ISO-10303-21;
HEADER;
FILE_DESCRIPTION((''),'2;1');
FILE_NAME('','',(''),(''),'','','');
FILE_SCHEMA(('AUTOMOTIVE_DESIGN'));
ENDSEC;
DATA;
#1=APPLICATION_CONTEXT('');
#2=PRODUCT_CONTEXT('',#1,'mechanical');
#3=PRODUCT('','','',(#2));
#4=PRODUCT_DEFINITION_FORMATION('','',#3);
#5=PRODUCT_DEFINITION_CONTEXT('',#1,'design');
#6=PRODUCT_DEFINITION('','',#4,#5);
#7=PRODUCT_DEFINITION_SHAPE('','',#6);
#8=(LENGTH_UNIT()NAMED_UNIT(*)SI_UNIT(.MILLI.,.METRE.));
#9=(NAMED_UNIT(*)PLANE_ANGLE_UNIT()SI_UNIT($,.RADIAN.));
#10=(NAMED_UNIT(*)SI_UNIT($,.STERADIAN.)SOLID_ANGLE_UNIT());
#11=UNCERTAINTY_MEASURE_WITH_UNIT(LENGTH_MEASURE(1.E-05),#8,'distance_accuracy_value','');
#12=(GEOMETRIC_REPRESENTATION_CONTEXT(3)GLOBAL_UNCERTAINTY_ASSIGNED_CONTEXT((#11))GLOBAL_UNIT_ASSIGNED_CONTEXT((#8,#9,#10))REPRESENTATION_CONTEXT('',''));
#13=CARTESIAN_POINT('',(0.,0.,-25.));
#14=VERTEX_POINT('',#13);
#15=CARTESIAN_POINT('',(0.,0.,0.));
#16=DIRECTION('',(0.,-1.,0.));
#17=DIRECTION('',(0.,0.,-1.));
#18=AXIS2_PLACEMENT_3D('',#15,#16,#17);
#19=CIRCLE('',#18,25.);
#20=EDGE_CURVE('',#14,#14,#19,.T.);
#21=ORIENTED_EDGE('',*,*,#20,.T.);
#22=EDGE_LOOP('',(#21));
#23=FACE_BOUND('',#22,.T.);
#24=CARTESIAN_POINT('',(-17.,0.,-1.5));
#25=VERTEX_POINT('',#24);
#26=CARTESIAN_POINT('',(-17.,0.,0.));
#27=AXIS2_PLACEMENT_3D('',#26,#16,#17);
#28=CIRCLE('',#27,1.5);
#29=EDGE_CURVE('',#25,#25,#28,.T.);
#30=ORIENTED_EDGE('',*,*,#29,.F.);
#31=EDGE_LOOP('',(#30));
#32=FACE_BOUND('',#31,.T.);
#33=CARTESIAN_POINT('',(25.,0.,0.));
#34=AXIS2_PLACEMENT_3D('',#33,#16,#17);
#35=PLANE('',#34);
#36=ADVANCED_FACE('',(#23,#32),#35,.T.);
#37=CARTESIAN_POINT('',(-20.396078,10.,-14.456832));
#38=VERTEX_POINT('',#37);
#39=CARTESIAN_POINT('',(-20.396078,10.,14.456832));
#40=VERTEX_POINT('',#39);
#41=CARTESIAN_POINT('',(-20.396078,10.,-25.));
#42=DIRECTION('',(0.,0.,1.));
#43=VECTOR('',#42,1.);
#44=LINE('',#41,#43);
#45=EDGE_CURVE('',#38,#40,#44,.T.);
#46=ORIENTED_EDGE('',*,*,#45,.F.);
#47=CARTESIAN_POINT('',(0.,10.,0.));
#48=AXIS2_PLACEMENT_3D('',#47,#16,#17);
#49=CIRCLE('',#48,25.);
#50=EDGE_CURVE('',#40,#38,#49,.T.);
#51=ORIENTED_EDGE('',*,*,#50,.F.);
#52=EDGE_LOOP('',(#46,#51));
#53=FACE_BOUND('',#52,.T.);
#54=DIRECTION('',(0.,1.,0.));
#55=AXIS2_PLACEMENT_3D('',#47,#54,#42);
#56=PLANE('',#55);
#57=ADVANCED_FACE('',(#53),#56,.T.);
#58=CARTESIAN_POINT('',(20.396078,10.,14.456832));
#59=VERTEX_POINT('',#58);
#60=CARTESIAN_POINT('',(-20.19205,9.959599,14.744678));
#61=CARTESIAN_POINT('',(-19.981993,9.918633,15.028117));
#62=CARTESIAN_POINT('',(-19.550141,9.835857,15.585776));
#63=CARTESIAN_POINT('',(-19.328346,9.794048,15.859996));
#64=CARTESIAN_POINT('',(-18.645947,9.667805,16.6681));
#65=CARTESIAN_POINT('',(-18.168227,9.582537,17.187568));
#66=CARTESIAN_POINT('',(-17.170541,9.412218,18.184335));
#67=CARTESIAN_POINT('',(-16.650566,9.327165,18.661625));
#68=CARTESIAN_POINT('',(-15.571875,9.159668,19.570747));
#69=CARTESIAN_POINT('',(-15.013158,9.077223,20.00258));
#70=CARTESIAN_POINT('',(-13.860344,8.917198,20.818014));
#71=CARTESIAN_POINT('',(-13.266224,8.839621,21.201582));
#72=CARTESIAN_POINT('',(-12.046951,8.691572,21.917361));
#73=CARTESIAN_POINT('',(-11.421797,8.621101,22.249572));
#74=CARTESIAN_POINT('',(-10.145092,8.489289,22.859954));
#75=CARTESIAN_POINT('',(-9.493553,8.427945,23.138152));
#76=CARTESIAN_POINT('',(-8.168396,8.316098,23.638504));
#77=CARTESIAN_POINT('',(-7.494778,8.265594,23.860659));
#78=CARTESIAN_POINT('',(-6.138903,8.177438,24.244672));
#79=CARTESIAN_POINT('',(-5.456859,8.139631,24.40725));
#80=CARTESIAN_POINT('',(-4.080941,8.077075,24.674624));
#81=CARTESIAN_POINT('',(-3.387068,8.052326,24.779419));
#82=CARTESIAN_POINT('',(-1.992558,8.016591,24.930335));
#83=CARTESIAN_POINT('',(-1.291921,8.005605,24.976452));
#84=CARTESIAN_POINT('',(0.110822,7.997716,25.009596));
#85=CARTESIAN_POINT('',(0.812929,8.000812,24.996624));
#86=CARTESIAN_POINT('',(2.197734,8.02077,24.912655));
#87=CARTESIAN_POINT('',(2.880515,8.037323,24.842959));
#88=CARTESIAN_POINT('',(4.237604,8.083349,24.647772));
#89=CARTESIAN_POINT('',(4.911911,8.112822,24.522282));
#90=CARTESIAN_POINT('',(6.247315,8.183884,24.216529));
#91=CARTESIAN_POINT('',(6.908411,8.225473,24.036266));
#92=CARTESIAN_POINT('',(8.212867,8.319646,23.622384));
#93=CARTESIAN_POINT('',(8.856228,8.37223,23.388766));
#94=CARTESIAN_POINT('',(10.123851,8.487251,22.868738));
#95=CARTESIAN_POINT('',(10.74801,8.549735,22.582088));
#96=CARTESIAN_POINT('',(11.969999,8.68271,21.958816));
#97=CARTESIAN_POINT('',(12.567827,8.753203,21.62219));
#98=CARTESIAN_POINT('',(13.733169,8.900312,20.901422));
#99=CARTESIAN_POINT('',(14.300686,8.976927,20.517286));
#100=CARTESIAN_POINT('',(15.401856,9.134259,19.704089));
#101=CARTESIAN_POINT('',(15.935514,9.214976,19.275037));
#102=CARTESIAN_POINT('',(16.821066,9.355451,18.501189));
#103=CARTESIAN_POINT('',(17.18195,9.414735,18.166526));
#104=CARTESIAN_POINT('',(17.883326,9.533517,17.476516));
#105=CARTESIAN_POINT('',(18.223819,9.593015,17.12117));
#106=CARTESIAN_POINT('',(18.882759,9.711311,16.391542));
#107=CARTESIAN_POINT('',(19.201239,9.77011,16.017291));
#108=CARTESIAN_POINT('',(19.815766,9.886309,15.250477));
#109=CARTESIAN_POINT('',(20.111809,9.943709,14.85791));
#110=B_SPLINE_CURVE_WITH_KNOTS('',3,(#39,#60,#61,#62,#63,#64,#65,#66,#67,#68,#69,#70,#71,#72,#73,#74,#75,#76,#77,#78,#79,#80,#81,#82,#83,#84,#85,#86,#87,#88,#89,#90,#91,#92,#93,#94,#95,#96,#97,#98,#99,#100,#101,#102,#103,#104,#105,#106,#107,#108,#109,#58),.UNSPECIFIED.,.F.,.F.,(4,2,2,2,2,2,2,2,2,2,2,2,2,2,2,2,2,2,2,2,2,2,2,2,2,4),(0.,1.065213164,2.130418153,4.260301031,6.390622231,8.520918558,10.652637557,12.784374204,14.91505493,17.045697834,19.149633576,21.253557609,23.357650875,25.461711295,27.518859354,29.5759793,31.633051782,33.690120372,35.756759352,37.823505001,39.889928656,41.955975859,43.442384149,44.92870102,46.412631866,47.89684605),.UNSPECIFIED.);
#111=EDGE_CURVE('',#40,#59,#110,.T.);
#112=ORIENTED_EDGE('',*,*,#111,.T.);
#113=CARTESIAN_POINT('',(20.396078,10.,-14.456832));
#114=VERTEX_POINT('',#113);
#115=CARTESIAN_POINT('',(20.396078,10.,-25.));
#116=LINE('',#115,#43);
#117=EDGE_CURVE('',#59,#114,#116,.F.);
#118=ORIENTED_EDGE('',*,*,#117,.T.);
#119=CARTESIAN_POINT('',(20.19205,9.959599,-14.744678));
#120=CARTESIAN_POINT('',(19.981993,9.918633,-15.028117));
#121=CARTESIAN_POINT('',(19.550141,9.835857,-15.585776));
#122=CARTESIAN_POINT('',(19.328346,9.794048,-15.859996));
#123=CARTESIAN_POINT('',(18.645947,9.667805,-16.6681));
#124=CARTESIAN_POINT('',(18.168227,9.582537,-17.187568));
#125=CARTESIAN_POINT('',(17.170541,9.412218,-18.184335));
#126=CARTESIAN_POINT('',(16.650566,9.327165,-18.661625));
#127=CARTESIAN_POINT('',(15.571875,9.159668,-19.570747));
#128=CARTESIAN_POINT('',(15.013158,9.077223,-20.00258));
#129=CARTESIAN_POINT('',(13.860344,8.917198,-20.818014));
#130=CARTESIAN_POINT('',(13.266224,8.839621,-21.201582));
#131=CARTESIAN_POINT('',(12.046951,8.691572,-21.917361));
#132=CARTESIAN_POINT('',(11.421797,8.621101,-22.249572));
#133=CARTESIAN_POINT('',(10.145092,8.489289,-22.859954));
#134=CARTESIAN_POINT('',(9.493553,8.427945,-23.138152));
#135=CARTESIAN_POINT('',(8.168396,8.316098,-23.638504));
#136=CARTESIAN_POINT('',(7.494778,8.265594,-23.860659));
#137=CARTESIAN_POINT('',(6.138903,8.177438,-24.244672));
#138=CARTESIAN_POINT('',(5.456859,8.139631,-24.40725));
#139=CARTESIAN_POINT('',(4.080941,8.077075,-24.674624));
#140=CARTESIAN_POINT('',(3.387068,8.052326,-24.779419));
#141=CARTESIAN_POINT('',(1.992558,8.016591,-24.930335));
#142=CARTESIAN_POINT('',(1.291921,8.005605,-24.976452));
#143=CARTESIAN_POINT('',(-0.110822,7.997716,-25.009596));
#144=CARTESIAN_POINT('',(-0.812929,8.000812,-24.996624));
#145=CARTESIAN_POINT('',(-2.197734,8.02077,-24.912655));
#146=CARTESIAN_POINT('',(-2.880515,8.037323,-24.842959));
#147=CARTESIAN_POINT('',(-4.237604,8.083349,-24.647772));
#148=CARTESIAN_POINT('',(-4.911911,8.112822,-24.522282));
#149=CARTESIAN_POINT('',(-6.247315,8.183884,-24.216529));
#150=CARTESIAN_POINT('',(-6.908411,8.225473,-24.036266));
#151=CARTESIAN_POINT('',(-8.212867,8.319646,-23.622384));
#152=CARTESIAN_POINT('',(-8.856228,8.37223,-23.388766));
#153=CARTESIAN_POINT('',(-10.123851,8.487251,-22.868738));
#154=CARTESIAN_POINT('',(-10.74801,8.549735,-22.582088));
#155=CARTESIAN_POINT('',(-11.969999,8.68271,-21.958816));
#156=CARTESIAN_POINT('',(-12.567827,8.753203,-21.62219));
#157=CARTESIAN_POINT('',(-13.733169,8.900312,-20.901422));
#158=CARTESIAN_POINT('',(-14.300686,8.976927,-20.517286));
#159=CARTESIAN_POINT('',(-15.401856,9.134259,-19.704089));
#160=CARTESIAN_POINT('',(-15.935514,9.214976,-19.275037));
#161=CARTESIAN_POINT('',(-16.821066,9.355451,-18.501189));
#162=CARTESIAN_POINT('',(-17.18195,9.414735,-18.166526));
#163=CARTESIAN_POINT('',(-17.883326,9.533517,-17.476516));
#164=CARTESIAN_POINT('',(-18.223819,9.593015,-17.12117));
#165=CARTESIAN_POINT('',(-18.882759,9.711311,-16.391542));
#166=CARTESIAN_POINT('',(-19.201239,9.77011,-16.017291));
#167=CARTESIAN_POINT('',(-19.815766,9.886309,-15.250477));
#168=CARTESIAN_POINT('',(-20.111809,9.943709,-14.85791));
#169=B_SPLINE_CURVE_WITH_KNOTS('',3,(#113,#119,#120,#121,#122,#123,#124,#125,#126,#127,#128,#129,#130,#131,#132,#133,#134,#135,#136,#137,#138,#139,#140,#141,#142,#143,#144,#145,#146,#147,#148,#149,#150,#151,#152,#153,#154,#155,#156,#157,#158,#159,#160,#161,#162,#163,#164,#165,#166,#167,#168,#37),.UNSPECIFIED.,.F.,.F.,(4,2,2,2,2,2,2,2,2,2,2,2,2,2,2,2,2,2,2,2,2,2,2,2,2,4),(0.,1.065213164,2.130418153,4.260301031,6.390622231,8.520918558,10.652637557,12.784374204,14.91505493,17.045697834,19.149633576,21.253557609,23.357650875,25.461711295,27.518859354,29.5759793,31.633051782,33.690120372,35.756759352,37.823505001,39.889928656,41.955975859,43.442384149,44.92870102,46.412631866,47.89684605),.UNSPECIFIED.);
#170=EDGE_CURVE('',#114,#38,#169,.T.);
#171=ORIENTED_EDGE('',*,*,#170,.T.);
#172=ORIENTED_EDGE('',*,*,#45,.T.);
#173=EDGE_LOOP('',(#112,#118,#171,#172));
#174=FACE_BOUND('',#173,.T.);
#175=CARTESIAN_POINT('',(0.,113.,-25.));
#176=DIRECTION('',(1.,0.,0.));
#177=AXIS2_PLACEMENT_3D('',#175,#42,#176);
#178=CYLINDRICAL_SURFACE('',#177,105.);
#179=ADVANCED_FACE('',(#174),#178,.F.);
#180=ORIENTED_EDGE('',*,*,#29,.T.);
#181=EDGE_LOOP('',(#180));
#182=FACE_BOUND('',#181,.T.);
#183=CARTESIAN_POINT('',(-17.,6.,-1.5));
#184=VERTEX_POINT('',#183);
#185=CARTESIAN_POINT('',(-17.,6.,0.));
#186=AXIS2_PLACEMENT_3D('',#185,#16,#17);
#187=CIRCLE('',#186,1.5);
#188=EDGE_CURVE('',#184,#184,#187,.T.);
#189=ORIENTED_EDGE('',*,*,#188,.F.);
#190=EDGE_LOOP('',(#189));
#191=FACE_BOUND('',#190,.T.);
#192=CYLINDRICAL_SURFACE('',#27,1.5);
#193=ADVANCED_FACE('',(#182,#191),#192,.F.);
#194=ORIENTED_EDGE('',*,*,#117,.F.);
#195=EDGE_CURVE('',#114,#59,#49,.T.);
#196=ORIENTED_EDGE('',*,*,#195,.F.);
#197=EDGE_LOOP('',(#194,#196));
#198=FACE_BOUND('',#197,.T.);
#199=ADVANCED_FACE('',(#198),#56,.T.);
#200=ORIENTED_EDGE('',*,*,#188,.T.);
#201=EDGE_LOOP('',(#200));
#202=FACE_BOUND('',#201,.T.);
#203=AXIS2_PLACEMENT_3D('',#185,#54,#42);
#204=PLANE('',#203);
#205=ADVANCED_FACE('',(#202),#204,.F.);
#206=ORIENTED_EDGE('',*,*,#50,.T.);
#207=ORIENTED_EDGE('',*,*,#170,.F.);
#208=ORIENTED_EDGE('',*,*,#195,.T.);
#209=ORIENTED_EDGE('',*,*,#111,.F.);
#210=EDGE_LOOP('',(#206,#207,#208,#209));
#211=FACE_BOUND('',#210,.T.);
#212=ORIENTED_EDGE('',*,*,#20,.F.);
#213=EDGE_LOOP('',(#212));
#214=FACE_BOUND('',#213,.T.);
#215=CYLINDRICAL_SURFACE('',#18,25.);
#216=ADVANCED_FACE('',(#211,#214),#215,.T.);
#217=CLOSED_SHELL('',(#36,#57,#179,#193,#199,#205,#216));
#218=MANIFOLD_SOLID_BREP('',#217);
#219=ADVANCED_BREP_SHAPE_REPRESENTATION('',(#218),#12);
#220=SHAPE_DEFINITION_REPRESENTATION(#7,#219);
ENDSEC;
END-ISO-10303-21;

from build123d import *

# Parameters (mm, degrees)
SKETCH1_W                 = 25
SKETCH1_H                 = 10
CUT_EXTRUDE1_DEPTH        = 37.742346142
CUT_EXTRUDE1_DEPTH_BACK   = 37.742346142
SKETCH2_R                 = 105
F_3_0MM_DOWEL_HOLE1_D     = 3
F_3_0MM_DOWEL_HOLE1_DEPTH = 6


with BuildPart() as part:
    # Sketch1 → Revolve1 (revolve)
    with BuildSketch(Plane.XY, mode=Mode.PRIVATE) as revolve1_sk:
        with Locations((12.5, 5)):
            Rectangle(SKETCH1_W, SKETCH1_H)
    revolve(revolve1_sk.sketch.rotate(Axis((0, 0, 0), (0, 1, 0)), 90), axis=Axis((0, 0, 0), (0, 1, 0)))

    # Sketch2 → Cut-Extrude1 (cut, two sides: drawn at the far end of the back side and taken through both)
    with BuildSketch(Plane.XY.offset(-CUT_EXTRUDE1_DEPTH_BACK)):
        with Locations((0, 113)):
            Circle(SKETCH2_R)
    extrude(amount=CUT_EXTRUDE1_DEPTH + CUT_EXTRUDE1_DEPTH_BACK, mode=Mode.SUBTRACT)

    # Ø3.0mm Dowel Hole1
    with Locations(Plane(origin=(0, 0, 0), x_dir=(-1, 0, 0), z_dir=(0, -1, 0))):
        with Locations((17, 0)):
            Hole(F_3_0MM_DOWEL_HOLE1_D / 2, depth=F_3_0MM_DOWEL_HOLE1_DEPTH)


solid = part.part
